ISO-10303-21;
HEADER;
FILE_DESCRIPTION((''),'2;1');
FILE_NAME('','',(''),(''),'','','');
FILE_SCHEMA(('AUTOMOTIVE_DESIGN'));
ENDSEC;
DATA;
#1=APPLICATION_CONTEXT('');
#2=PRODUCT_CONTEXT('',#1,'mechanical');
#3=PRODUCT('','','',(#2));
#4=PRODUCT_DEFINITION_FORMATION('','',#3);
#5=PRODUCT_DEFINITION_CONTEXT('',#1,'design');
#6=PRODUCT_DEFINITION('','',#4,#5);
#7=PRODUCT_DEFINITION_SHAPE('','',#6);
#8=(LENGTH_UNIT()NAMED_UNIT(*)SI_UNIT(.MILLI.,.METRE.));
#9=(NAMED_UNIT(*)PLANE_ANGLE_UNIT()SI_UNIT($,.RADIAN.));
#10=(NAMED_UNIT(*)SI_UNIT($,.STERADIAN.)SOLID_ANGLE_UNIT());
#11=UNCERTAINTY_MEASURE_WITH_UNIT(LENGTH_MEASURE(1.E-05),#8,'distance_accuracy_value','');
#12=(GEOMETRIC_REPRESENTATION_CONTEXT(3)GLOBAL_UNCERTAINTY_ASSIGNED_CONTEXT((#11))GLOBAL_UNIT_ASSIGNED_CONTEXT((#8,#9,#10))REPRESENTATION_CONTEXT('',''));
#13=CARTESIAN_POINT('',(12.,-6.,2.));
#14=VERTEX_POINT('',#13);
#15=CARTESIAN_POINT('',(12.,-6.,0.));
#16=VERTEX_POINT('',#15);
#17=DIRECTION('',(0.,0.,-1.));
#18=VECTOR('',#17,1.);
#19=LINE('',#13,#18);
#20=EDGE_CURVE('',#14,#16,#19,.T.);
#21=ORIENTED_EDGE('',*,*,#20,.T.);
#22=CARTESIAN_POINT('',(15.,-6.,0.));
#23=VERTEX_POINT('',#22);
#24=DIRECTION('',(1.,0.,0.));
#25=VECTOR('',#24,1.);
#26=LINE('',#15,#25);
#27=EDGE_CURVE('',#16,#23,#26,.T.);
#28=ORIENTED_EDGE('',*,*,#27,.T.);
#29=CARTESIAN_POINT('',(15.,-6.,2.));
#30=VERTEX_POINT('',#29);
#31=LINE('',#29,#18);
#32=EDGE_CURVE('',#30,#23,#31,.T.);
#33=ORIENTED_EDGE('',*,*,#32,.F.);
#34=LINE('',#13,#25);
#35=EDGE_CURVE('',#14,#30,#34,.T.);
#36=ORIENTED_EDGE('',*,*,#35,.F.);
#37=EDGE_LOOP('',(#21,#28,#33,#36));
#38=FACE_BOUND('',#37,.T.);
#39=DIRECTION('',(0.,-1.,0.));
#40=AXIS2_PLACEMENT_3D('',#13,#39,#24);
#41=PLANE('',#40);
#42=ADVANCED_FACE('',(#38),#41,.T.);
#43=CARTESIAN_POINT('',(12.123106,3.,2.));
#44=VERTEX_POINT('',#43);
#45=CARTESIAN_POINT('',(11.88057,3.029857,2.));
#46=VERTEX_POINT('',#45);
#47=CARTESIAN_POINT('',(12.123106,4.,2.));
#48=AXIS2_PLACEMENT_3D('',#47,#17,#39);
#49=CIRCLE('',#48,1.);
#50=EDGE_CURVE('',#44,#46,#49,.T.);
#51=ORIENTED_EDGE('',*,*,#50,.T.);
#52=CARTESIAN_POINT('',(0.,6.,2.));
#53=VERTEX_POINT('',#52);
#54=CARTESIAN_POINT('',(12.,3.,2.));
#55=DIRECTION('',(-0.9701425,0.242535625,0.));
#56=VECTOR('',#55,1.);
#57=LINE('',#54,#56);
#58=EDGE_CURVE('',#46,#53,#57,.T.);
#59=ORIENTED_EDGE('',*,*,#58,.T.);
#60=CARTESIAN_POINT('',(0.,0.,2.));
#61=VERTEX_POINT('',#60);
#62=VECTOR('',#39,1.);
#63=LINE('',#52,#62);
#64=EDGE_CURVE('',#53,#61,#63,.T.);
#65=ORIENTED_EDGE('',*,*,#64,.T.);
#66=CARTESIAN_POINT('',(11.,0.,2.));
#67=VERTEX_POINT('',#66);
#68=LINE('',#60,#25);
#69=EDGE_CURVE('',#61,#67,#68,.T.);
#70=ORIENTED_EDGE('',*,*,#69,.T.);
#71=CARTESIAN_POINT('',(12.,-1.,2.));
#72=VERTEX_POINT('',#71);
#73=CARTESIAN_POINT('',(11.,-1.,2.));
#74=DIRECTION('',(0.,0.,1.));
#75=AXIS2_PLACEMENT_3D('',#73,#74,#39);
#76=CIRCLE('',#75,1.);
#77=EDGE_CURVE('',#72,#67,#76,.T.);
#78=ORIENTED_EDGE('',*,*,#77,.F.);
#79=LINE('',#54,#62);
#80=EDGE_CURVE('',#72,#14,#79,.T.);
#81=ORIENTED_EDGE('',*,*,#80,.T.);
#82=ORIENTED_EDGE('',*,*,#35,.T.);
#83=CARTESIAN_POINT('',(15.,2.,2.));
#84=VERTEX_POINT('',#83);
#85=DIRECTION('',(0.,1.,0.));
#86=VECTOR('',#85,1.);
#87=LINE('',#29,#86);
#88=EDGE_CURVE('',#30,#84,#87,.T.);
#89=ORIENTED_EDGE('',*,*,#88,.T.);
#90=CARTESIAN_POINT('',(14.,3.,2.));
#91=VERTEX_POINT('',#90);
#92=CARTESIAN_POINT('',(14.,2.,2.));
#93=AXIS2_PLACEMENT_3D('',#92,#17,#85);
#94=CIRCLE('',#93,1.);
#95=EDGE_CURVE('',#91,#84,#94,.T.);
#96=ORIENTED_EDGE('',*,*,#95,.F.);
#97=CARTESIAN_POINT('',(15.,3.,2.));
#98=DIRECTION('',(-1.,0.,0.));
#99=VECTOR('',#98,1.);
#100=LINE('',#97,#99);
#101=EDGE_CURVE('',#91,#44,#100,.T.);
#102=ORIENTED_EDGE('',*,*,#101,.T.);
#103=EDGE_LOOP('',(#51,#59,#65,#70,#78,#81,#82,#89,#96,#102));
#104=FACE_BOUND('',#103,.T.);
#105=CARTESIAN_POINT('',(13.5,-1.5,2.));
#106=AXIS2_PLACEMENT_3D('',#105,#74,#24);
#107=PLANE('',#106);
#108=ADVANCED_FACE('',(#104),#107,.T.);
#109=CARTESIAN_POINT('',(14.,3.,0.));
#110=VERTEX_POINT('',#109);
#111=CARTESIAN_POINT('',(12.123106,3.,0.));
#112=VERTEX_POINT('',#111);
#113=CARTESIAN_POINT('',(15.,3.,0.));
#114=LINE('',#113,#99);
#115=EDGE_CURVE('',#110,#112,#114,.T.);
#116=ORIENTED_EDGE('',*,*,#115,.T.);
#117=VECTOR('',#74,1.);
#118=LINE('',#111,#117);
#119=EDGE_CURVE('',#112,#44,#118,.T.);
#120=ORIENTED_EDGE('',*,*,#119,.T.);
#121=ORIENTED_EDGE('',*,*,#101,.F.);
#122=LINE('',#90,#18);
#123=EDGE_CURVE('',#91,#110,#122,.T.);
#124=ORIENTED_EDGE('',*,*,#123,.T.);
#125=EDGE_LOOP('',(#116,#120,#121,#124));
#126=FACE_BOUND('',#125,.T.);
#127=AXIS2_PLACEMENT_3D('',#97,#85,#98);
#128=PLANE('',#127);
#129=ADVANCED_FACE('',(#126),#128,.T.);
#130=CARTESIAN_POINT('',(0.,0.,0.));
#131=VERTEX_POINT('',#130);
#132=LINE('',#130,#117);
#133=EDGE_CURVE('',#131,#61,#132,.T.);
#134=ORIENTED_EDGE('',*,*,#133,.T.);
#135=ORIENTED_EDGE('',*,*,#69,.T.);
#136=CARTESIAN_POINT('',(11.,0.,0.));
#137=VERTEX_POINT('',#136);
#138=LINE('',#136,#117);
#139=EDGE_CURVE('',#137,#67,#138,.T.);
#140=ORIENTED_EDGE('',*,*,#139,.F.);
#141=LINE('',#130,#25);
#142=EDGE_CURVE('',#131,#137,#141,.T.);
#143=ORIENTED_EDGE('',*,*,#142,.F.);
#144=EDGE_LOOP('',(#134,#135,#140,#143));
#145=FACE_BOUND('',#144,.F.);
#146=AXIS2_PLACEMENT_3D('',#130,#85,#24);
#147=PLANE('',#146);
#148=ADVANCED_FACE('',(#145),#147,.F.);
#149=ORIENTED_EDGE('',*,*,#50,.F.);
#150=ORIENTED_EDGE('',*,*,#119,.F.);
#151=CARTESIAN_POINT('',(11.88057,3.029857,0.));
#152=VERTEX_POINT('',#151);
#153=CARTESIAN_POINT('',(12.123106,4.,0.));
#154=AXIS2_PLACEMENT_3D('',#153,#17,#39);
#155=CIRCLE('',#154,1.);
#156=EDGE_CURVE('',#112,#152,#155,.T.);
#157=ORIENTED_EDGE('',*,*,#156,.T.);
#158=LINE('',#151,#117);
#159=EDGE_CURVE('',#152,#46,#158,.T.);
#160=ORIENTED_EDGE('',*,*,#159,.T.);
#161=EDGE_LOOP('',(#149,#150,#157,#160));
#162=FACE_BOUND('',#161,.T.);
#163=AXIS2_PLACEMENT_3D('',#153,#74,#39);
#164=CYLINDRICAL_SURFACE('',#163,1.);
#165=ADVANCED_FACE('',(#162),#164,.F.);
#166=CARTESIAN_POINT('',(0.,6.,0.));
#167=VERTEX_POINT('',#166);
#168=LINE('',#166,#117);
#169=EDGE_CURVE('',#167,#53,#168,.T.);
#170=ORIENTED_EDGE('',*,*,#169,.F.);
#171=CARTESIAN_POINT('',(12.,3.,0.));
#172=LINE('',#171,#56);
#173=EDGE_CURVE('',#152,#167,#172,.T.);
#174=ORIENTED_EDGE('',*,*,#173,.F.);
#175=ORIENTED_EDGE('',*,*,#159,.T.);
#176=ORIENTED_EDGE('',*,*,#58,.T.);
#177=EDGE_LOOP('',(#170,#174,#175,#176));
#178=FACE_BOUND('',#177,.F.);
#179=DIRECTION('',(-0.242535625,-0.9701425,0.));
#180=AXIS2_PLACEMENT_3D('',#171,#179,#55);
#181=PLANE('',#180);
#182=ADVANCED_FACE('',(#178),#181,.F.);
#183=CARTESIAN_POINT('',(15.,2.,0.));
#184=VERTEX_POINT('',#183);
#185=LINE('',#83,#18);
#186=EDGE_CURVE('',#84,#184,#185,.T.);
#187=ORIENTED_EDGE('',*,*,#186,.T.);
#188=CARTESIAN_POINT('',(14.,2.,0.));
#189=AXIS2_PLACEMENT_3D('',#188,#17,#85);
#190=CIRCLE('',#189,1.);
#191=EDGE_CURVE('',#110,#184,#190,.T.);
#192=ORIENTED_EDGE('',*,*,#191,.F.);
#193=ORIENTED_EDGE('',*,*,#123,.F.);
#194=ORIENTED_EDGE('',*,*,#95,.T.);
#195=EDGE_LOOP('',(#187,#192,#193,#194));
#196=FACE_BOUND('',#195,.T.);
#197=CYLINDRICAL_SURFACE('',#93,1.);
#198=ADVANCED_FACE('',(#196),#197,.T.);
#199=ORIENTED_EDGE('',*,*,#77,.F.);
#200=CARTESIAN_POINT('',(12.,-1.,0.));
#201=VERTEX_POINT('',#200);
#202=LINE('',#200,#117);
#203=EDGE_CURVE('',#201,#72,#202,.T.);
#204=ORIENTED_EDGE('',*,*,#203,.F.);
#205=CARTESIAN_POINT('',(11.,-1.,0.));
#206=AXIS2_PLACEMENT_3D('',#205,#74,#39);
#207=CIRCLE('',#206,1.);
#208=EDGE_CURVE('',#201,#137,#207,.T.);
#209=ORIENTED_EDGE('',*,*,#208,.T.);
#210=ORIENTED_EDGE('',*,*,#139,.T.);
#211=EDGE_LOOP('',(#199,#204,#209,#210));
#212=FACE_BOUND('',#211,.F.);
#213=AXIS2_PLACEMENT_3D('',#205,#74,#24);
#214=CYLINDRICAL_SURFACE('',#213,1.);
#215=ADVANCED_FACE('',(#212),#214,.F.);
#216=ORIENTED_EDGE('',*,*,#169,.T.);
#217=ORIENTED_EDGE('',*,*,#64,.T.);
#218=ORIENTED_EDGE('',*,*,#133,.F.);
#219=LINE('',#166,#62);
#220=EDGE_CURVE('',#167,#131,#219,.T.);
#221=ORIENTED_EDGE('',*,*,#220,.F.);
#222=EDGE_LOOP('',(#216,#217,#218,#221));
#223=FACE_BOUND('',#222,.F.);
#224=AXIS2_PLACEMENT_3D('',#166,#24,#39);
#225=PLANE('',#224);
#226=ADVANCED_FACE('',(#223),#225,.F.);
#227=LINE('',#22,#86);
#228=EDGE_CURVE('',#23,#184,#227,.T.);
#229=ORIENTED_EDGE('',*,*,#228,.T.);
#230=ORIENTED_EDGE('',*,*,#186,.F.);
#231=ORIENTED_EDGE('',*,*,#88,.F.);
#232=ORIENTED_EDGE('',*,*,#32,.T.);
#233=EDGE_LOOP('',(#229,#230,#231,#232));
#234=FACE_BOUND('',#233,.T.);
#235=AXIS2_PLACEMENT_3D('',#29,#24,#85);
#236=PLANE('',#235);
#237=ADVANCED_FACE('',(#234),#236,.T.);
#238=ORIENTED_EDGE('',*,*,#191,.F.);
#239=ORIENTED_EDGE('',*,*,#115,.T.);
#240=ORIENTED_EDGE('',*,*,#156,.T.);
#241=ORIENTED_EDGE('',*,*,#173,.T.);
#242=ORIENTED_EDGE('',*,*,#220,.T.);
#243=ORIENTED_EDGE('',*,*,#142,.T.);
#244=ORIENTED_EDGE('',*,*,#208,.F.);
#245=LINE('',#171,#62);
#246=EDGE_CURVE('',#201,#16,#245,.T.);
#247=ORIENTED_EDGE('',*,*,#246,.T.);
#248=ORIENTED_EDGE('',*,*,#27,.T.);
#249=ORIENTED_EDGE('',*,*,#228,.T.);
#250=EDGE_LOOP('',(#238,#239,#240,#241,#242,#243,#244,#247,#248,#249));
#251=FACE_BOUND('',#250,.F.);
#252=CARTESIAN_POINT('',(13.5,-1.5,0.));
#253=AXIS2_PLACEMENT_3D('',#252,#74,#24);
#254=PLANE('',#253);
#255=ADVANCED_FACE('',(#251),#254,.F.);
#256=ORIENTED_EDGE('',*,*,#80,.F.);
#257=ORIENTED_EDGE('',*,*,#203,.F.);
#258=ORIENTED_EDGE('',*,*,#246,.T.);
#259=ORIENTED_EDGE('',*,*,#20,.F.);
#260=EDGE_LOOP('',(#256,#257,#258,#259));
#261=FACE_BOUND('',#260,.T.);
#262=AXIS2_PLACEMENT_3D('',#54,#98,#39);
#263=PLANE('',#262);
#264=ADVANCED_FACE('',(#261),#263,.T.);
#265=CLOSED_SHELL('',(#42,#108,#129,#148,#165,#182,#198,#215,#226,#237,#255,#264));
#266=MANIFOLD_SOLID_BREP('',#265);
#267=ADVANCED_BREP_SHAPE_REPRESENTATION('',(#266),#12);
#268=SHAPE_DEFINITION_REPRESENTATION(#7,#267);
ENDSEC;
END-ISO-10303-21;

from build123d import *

# Parameters (mm, degrees)
F1_DEPTH = 2
F3_DEPTH = 2
F4_R     = 1


with BuildPart() as f1:
    # F0 (on Top) → F1 (new body)
    with BuildSketch(Plane.XY):
        Polygon((0, 3), (0, 0), (12, 0), (12, 3), (0, 6), align=None)
    extrude(amount=F1_DEPTH)

    # F2 (on face) → F3 (join, through all)
    with BuildSketch(Plane.XY.offset(2)):
        Polygon((15, 3), (12, 3), (12, 0), (12, -6), (15, -6), align=None)
    extrude(amount=-F3_DEPTH)

    # F4
    f4_edges = [f1.edges().sort_by_distance(p)[0] for p in [
        (12, 0, 1),
        (12, 3, 1),
        (15, 3, 1),
    ]]
    fillet(f4_edges, radius=F4_R)


solid = f1.part
